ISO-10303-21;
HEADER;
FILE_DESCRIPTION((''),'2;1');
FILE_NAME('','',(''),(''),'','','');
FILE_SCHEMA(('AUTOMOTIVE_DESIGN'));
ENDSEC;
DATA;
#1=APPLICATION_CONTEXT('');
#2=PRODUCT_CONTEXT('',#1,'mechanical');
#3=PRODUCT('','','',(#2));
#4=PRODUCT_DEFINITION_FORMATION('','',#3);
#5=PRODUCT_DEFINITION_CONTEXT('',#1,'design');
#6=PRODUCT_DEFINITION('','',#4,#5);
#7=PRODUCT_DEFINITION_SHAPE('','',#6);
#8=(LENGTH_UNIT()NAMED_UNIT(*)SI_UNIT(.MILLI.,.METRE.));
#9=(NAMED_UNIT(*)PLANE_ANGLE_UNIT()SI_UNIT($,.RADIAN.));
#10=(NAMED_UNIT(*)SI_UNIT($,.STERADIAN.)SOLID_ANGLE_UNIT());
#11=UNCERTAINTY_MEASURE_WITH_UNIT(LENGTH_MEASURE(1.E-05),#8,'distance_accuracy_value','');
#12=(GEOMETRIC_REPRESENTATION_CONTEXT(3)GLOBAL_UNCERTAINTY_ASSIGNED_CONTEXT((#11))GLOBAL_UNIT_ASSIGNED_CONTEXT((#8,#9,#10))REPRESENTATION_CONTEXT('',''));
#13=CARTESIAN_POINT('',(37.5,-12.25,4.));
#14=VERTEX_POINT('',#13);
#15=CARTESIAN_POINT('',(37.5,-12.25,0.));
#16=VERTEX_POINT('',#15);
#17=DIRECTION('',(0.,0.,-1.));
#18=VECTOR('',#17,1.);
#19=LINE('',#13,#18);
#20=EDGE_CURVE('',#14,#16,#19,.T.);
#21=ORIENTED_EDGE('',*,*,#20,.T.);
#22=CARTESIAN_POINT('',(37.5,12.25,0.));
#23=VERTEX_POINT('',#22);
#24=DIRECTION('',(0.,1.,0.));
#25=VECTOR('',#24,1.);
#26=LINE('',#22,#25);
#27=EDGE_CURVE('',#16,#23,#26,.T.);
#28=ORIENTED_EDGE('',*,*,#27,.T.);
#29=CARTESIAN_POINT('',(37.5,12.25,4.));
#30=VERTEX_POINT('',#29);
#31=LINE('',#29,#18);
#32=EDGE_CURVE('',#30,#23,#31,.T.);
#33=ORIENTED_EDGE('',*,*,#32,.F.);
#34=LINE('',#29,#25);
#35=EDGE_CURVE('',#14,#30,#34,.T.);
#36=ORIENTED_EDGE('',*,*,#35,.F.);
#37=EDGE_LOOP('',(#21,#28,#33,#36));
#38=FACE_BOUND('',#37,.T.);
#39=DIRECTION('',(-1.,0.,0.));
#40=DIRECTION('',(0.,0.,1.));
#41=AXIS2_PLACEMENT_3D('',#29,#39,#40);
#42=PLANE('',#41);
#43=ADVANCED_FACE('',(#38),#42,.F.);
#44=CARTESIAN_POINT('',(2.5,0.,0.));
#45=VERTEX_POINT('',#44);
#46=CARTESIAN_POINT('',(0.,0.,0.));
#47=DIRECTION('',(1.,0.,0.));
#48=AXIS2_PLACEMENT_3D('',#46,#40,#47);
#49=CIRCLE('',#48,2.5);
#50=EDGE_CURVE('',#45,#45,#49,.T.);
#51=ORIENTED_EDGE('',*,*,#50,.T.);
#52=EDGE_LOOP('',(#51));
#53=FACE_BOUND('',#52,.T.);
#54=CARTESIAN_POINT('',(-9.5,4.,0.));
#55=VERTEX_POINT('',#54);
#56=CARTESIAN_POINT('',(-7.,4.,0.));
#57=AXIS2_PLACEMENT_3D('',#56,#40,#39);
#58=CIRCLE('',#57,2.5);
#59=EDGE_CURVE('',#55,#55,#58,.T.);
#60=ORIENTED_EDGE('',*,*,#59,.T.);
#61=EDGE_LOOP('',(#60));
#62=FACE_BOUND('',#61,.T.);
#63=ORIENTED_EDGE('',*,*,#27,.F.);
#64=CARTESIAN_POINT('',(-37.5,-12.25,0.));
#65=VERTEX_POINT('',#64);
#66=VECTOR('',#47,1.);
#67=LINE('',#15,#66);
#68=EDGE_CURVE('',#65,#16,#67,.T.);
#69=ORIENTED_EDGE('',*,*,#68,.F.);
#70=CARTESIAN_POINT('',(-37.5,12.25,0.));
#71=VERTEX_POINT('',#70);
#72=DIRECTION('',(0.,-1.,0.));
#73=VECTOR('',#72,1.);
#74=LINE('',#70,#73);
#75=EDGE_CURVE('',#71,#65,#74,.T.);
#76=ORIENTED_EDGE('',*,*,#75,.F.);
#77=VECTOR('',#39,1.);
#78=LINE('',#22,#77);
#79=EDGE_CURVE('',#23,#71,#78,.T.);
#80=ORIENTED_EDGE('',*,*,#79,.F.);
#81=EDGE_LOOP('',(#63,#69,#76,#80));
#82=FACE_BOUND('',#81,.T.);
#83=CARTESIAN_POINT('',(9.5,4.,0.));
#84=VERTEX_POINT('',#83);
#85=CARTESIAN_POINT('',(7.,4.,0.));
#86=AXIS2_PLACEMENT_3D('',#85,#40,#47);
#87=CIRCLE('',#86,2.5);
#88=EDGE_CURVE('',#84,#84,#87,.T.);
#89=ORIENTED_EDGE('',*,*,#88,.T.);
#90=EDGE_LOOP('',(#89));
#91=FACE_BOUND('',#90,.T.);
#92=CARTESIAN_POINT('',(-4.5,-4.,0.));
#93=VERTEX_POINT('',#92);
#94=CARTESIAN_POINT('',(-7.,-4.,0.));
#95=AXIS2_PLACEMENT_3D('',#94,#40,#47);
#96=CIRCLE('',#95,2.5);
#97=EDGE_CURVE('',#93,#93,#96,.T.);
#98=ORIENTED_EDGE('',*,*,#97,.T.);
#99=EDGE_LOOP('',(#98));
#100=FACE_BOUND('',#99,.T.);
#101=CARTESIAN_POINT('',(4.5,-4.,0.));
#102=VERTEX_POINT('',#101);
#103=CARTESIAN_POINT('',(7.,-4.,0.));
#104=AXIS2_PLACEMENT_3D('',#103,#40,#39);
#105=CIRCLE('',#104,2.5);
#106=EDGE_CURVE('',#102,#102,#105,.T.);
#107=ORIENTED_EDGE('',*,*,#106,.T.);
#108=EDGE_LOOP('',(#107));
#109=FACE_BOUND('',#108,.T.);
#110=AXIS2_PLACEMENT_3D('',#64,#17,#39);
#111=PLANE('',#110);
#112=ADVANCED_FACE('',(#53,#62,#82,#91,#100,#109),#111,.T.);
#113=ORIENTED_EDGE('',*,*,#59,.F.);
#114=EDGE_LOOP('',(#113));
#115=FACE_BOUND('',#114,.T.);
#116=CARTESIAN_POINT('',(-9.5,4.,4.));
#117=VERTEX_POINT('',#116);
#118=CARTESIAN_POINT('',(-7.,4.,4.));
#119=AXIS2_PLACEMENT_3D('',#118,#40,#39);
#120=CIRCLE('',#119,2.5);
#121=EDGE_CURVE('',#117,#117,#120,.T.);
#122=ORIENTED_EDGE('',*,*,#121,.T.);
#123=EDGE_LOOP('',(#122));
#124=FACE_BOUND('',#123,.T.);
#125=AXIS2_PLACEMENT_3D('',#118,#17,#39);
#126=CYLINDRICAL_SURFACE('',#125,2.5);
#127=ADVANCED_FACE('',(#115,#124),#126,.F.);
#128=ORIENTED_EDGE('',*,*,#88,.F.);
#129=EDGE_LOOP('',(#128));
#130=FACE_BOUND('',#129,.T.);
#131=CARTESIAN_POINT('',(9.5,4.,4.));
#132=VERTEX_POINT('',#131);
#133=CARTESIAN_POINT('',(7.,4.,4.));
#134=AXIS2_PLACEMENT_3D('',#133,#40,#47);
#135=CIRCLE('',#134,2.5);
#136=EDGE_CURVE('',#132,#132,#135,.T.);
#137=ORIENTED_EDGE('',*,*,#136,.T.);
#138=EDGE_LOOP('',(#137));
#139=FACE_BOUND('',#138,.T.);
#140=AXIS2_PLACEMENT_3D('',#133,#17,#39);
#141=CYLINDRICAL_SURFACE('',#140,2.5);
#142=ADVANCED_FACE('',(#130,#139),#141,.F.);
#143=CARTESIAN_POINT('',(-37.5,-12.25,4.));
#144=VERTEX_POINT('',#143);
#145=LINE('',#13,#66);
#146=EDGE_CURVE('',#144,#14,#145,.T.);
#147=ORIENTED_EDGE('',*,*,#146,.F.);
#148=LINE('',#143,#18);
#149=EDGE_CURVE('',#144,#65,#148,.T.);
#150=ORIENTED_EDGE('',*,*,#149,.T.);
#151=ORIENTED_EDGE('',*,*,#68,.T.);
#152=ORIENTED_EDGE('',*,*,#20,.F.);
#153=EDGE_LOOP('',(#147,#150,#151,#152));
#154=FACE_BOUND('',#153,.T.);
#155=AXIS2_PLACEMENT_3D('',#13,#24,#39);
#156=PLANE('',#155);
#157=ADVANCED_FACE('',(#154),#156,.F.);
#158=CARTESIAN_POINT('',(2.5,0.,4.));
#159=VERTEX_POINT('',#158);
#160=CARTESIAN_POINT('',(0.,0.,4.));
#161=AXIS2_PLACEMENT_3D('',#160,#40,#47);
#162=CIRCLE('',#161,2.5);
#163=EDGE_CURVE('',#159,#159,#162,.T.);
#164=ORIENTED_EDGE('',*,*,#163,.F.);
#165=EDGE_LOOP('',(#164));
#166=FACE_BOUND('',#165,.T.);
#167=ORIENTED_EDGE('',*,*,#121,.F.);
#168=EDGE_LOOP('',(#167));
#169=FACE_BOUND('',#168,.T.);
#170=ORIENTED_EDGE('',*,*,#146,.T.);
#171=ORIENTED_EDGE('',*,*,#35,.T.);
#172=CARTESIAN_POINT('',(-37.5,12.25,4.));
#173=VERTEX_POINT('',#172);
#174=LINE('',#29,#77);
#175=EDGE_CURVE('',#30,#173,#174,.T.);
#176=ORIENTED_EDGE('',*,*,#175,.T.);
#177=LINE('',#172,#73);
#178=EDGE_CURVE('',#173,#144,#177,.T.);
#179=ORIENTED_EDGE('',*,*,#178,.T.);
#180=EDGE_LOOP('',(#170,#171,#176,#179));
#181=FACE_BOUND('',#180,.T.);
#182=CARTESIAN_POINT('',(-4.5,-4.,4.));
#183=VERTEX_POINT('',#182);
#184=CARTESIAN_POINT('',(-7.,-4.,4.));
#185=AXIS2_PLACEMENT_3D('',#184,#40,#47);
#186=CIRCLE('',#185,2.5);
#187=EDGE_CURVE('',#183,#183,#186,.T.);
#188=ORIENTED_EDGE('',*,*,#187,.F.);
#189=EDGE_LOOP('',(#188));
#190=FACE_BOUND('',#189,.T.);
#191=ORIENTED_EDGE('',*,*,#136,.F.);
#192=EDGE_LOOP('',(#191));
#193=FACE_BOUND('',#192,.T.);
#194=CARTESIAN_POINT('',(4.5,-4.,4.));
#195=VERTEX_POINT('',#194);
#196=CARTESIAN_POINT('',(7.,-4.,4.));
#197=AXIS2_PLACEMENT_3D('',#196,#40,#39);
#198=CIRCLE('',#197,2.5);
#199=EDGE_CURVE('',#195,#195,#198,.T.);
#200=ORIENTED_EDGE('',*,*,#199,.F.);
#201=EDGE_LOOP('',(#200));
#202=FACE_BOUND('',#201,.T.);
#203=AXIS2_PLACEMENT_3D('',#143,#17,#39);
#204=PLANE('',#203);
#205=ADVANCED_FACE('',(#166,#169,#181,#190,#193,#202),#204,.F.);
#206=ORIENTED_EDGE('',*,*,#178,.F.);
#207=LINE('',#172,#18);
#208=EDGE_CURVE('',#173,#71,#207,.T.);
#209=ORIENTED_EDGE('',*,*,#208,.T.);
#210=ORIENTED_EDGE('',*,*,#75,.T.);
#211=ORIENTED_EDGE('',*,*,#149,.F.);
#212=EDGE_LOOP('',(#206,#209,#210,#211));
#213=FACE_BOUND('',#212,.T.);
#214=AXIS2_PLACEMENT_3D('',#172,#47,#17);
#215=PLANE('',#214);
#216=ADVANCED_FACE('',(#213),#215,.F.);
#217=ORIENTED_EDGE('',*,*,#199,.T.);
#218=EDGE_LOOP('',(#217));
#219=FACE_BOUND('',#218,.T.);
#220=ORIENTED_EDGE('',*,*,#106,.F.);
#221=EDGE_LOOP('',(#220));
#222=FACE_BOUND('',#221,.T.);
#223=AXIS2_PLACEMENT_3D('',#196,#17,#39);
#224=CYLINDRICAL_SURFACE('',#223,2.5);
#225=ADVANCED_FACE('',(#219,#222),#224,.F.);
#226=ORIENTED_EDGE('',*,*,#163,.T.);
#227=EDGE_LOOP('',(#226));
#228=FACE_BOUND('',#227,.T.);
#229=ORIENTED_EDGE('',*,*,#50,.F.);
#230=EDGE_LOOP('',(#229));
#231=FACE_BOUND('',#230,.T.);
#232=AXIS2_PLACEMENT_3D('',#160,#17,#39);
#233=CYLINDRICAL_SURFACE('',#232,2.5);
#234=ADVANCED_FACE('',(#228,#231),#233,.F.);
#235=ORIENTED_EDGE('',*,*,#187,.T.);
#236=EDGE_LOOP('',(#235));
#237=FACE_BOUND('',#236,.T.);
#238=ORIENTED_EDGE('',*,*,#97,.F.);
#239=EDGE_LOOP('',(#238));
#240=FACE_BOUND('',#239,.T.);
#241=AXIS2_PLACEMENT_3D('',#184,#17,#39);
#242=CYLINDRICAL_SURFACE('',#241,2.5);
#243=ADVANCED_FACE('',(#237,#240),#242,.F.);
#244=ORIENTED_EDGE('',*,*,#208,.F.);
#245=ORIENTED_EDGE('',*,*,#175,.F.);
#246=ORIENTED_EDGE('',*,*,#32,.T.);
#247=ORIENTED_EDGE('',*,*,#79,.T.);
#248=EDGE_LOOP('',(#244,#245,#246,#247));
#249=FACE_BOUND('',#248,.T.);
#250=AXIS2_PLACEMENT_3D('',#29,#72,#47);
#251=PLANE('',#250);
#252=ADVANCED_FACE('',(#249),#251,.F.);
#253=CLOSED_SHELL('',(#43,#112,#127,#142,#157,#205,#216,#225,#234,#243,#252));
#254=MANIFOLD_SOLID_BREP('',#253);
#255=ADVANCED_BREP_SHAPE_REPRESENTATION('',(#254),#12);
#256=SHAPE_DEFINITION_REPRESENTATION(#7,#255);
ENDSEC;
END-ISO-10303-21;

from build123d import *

# Parameters (mm, degrees)
CROQUIS1_W              = 75
CROQUIS1_H              = 24.5
CROQUIS1_R              = 2.5
SALIENTE_EXTRUIR1_DEPTH = 4


with BuildPart() as part:
    # Croquis1 → Saliente-Extruir1 (new body)
    with BuildSketch(Plane.XY):
        Rectangle(CROQUIS1_W, CROQUIS1_H)
        Circle(CROQUIS1_R, mode=Mode.SUBTRACT)
        with Locations((7, 4)):
            Circle(CROQUIS1_R, mode=Mode.SUBTRACT)
        with Locations(Location((7, -4, 0), (0, 0, 180))):
            Circle(CROQUIS1_R, mode=Mode.SUBTRACT)
        with Locations((-7, -4)):
            Circle(CROQUIS1_R, mode=Mode.SUBTRACT)
        with Locations(Location((-7, 4, 0), (0, 0, 180))):
            Circle(CROQUIS1_R, mode=Mode.SUBTRACT)
    extrude(amount=SALIENTE_EXTRUIR1_DEPTH)


solid = part.part
